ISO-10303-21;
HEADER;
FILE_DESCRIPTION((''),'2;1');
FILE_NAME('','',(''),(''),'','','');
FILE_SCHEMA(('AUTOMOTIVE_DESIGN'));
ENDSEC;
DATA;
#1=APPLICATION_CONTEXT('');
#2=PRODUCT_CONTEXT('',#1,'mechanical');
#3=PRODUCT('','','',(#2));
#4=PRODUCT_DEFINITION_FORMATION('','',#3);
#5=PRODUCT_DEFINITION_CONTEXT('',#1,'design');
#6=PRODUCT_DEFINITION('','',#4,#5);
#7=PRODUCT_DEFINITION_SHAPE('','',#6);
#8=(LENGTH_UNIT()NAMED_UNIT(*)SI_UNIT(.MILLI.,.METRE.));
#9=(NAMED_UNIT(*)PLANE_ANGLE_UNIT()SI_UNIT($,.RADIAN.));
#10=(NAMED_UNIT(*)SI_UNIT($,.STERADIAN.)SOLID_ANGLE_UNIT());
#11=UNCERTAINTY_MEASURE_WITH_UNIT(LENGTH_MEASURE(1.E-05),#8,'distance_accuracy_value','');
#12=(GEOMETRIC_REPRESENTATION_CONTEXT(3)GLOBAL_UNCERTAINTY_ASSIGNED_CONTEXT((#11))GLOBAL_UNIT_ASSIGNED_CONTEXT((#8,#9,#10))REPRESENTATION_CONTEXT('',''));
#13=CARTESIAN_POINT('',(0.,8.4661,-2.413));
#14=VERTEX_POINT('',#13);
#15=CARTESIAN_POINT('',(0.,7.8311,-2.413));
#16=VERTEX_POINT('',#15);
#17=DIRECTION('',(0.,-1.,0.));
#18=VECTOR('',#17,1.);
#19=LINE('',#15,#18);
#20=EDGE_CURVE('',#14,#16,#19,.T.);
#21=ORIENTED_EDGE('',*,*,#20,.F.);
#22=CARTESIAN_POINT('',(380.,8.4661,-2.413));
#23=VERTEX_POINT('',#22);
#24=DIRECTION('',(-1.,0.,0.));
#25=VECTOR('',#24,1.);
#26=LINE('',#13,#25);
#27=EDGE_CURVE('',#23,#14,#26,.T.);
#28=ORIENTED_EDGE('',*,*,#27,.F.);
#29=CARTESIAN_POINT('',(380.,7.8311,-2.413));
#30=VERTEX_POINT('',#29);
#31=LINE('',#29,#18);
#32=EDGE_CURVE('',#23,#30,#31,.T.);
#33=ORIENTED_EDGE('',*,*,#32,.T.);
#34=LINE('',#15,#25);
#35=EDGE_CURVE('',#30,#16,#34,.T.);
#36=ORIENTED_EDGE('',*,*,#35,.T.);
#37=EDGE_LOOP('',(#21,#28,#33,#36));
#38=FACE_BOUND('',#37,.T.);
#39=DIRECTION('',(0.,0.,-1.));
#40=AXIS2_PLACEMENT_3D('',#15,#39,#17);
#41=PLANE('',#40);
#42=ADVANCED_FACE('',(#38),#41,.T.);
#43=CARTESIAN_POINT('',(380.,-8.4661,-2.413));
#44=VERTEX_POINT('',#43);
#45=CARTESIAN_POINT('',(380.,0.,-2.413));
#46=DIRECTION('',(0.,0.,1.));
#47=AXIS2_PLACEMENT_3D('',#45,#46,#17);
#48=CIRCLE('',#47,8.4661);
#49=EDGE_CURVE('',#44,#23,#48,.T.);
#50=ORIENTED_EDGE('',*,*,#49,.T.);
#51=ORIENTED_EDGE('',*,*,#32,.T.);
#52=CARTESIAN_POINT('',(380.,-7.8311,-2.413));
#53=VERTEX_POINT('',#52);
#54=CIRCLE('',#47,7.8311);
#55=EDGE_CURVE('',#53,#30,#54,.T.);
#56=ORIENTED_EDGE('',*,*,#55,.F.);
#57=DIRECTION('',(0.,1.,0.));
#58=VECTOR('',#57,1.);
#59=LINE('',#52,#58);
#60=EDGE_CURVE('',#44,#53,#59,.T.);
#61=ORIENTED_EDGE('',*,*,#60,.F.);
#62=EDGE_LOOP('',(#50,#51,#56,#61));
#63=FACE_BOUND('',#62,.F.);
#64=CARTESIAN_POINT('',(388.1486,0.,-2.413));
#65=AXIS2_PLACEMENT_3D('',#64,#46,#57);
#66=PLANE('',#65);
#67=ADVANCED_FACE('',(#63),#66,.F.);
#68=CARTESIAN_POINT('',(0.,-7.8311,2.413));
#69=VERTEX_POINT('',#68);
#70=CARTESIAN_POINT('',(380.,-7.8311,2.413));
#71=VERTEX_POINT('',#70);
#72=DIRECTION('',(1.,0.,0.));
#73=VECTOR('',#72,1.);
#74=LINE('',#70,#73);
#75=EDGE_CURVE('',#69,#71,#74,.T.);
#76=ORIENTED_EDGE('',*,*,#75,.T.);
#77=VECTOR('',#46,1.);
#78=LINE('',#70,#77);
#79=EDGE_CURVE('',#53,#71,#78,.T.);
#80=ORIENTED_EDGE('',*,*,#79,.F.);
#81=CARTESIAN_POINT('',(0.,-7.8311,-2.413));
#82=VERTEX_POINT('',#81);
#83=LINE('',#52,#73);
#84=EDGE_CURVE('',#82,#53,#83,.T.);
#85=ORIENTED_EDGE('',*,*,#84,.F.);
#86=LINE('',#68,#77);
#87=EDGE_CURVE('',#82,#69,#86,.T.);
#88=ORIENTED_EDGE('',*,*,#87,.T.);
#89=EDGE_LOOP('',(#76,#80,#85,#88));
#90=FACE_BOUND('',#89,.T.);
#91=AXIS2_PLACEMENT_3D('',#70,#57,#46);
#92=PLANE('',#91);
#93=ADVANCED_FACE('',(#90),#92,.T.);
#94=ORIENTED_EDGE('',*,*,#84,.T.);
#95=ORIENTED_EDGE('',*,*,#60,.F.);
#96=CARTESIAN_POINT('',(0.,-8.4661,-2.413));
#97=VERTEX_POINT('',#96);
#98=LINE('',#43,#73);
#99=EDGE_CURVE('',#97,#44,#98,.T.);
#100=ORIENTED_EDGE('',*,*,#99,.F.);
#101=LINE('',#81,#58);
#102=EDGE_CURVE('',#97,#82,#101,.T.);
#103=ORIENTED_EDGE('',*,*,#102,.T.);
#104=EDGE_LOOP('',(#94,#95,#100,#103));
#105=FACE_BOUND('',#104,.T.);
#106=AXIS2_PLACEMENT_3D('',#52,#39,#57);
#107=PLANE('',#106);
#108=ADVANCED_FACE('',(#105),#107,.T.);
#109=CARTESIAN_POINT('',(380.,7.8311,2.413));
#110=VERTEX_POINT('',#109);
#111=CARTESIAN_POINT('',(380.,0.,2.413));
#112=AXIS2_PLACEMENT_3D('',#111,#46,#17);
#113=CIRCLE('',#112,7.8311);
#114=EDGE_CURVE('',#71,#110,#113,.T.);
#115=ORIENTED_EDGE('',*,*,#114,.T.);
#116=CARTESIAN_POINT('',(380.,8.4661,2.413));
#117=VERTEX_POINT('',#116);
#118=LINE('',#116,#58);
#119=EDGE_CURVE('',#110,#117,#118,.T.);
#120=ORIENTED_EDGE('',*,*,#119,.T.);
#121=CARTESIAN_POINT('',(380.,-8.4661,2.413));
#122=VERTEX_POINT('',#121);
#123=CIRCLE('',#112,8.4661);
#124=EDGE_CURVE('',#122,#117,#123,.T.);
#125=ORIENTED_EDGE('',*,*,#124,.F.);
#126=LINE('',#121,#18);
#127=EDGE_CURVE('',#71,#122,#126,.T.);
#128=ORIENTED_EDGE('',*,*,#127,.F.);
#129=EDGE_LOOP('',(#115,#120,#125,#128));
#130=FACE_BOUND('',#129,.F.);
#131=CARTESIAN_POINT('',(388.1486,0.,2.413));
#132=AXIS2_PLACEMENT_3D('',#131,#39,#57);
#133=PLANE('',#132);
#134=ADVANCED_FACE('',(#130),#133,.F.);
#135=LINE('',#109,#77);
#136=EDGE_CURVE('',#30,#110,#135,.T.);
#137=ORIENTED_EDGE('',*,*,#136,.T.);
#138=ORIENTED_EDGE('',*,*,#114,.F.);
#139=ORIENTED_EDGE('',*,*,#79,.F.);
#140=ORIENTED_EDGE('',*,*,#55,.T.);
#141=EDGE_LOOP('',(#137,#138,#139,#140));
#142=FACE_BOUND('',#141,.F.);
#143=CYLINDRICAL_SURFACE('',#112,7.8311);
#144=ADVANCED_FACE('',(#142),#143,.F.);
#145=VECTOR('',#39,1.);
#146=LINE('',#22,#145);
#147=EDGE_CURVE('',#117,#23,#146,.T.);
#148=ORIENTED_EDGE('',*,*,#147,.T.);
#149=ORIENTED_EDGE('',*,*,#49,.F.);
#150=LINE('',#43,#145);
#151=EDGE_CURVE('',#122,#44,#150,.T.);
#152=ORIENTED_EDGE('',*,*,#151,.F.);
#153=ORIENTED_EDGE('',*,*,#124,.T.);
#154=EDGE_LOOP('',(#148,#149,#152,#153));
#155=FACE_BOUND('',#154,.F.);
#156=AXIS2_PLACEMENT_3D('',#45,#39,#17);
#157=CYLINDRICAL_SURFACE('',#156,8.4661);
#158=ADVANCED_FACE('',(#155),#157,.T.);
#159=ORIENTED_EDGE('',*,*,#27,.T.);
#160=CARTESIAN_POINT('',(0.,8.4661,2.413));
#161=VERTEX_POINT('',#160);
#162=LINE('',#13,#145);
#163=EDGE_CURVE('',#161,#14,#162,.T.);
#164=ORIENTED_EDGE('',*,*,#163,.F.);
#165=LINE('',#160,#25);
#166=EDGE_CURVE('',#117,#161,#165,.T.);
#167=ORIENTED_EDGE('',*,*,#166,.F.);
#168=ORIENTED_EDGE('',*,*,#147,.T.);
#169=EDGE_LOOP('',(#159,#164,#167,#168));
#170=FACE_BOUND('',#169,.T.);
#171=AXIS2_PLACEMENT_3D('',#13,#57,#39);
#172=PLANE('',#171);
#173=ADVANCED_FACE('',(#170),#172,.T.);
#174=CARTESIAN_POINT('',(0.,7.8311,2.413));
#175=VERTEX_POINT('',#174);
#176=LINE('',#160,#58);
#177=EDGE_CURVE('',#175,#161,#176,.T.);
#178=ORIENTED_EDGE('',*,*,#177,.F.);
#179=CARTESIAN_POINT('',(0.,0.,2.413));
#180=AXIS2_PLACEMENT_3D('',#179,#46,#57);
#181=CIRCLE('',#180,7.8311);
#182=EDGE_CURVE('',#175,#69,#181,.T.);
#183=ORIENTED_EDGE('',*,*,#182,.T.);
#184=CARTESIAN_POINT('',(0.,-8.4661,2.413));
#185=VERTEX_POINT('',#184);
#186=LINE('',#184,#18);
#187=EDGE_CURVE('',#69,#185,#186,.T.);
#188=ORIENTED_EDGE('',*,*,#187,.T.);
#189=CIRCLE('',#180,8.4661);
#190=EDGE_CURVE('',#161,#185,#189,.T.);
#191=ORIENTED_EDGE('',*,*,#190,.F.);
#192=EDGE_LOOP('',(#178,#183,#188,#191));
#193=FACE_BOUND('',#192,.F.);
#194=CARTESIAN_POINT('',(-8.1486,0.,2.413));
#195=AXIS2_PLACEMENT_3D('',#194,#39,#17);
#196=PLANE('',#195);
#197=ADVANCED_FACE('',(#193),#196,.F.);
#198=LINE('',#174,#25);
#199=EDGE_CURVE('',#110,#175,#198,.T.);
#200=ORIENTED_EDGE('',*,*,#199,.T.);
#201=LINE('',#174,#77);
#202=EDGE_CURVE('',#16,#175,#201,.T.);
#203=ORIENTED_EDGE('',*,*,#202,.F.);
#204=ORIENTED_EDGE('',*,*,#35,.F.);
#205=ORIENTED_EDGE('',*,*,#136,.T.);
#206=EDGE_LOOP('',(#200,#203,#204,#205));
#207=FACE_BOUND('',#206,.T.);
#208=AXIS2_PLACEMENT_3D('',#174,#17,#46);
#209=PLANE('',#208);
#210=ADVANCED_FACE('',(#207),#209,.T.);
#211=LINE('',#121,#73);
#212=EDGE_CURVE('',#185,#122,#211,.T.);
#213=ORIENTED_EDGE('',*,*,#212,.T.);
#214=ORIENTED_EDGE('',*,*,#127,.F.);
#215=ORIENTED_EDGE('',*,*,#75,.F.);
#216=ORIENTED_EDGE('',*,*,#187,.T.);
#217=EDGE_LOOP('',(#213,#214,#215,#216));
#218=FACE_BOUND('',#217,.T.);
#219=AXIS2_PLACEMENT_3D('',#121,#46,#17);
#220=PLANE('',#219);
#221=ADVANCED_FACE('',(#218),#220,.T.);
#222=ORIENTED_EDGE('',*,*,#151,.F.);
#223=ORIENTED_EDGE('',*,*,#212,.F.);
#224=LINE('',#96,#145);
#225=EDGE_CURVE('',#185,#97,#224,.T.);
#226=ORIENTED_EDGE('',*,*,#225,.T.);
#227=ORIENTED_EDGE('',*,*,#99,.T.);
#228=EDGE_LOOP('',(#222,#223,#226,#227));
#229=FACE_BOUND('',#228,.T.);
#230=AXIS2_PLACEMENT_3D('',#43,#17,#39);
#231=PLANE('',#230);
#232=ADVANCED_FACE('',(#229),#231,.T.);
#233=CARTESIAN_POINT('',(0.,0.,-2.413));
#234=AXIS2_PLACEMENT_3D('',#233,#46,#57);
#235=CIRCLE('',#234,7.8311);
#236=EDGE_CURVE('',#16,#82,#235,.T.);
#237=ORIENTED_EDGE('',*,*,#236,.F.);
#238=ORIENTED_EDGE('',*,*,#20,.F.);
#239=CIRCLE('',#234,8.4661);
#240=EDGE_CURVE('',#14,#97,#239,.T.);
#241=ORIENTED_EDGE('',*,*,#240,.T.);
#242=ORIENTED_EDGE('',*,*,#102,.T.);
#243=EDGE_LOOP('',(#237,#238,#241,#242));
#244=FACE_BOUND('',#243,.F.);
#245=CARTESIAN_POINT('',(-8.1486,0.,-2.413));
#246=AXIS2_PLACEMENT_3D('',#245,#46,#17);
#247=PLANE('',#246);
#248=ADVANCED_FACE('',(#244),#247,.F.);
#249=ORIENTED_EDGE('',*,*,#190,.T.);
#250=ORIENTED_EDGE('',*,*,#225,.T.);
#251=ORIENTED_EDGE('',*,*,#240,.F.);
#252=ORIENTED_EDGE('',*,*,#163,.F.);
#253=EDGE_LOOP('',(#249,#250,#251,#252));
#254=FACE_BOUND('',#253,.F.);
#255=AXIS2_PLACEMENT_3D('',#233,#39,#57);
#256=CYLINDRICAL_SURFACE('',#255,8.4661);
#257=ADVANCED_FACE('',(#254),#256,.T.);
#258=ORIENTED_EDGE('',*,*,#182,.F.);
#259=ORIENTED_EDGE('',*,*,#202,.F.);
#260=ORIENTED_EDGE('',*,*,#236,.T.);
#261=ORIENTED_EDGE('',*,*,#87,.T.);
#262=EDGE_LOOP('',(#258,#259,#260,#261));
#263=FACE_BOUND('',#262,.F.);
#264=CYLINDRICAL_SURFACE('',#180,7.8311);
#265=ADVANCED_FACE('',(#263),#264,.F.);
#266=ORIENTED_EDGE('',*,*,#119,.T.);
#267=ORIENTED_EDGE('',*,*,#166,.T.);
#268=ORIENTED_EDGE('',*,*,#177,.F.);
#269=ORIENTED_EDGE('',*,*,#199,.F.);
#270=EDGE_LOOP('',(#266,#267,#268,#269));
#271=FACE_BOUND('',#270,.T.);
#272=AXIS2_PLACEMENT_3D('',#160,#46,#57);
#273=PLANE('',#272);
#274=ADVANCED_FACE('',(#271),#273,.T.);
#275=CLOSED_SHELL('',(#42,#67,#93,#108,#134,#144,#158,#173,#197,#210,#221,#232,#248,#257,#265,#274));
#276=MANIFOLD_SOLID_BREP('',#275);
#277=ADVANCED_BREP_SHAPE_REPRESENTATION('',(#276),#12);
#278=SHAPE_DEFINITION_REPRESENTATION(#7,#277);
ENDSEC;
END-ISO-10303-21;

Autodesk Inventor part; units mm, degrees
sketch "Sketch Path" plane through (0, 0, 0) normal (0, 0, 1) x (1, 0, 0)
  arc A0 (0, 8.0851) -> (0, -8.0851) centre (0, 0) ccw
  arc A1 (380, -8.0851) -> (380, 8.0851) centre (380, 0) ccw
  line L0 (380, -8.0851) -> (0, -8.0851)
  line L1 (0, 8.0851) -> (380, 8.0851)
ref_plane "Cross Section Plane" through (0, -8.0851, 0) normal (1, 0, 0) x (0, 0, 1)
ref_plane "Work Plane2" through (0, 0, 0) normal (-1, 0, 0) x (0, 0, 1)
ref_plane "Work Plane3" through (380, 0, 0) normal (-0.9691, 0.2468, 0) x (0, 0, 1)
sketch "Cross Section" plane through (0, -8.0851, 0) normal (1, 0, 0) x (0, 0, 1)
  line L0 (-2.413, 0.381) -> (2.413, 0.381)
  line L1 (2.413, 0.381) -> (2.413, -0.254)
  line L2 (2.413, -0.254) -> (-2.413, -0.254)
  line L3 (-2.413, -0.254) -> (-2.413, 0.381)
  line L4 (-2.413, 0) -> (2.413, 0) construction
  point P0 (0, 0)
  point P1 (0, 0)
  dimension "d0" = 4.826
  dimension "d4" = 0.254
  dimension "d5" = 0.381
sweep "Belt" add profiles "Cross Section" path "Sketch Path"
equation "\"d0\" = da_B"
equation "\"d4\" = da_a"
equation "\"d5\" = da_a2"
equation "\"da_B\" = 4.826"
equation "\"da_pb\" = 2.032"
equation "\"da_L\" = 810.8"
equation "\"da_a\" = 0.254"
equation "\"da_S\" = 1.143"
equation "\"da_Beta\" = 20deg"
equation "\"da_Ht\" = 0.508"
equation "\"da_H\" = 1.143"
equation "\"da_a2\" = 0.381"
properties part number "Synchronous Belt" material "Rubber"
